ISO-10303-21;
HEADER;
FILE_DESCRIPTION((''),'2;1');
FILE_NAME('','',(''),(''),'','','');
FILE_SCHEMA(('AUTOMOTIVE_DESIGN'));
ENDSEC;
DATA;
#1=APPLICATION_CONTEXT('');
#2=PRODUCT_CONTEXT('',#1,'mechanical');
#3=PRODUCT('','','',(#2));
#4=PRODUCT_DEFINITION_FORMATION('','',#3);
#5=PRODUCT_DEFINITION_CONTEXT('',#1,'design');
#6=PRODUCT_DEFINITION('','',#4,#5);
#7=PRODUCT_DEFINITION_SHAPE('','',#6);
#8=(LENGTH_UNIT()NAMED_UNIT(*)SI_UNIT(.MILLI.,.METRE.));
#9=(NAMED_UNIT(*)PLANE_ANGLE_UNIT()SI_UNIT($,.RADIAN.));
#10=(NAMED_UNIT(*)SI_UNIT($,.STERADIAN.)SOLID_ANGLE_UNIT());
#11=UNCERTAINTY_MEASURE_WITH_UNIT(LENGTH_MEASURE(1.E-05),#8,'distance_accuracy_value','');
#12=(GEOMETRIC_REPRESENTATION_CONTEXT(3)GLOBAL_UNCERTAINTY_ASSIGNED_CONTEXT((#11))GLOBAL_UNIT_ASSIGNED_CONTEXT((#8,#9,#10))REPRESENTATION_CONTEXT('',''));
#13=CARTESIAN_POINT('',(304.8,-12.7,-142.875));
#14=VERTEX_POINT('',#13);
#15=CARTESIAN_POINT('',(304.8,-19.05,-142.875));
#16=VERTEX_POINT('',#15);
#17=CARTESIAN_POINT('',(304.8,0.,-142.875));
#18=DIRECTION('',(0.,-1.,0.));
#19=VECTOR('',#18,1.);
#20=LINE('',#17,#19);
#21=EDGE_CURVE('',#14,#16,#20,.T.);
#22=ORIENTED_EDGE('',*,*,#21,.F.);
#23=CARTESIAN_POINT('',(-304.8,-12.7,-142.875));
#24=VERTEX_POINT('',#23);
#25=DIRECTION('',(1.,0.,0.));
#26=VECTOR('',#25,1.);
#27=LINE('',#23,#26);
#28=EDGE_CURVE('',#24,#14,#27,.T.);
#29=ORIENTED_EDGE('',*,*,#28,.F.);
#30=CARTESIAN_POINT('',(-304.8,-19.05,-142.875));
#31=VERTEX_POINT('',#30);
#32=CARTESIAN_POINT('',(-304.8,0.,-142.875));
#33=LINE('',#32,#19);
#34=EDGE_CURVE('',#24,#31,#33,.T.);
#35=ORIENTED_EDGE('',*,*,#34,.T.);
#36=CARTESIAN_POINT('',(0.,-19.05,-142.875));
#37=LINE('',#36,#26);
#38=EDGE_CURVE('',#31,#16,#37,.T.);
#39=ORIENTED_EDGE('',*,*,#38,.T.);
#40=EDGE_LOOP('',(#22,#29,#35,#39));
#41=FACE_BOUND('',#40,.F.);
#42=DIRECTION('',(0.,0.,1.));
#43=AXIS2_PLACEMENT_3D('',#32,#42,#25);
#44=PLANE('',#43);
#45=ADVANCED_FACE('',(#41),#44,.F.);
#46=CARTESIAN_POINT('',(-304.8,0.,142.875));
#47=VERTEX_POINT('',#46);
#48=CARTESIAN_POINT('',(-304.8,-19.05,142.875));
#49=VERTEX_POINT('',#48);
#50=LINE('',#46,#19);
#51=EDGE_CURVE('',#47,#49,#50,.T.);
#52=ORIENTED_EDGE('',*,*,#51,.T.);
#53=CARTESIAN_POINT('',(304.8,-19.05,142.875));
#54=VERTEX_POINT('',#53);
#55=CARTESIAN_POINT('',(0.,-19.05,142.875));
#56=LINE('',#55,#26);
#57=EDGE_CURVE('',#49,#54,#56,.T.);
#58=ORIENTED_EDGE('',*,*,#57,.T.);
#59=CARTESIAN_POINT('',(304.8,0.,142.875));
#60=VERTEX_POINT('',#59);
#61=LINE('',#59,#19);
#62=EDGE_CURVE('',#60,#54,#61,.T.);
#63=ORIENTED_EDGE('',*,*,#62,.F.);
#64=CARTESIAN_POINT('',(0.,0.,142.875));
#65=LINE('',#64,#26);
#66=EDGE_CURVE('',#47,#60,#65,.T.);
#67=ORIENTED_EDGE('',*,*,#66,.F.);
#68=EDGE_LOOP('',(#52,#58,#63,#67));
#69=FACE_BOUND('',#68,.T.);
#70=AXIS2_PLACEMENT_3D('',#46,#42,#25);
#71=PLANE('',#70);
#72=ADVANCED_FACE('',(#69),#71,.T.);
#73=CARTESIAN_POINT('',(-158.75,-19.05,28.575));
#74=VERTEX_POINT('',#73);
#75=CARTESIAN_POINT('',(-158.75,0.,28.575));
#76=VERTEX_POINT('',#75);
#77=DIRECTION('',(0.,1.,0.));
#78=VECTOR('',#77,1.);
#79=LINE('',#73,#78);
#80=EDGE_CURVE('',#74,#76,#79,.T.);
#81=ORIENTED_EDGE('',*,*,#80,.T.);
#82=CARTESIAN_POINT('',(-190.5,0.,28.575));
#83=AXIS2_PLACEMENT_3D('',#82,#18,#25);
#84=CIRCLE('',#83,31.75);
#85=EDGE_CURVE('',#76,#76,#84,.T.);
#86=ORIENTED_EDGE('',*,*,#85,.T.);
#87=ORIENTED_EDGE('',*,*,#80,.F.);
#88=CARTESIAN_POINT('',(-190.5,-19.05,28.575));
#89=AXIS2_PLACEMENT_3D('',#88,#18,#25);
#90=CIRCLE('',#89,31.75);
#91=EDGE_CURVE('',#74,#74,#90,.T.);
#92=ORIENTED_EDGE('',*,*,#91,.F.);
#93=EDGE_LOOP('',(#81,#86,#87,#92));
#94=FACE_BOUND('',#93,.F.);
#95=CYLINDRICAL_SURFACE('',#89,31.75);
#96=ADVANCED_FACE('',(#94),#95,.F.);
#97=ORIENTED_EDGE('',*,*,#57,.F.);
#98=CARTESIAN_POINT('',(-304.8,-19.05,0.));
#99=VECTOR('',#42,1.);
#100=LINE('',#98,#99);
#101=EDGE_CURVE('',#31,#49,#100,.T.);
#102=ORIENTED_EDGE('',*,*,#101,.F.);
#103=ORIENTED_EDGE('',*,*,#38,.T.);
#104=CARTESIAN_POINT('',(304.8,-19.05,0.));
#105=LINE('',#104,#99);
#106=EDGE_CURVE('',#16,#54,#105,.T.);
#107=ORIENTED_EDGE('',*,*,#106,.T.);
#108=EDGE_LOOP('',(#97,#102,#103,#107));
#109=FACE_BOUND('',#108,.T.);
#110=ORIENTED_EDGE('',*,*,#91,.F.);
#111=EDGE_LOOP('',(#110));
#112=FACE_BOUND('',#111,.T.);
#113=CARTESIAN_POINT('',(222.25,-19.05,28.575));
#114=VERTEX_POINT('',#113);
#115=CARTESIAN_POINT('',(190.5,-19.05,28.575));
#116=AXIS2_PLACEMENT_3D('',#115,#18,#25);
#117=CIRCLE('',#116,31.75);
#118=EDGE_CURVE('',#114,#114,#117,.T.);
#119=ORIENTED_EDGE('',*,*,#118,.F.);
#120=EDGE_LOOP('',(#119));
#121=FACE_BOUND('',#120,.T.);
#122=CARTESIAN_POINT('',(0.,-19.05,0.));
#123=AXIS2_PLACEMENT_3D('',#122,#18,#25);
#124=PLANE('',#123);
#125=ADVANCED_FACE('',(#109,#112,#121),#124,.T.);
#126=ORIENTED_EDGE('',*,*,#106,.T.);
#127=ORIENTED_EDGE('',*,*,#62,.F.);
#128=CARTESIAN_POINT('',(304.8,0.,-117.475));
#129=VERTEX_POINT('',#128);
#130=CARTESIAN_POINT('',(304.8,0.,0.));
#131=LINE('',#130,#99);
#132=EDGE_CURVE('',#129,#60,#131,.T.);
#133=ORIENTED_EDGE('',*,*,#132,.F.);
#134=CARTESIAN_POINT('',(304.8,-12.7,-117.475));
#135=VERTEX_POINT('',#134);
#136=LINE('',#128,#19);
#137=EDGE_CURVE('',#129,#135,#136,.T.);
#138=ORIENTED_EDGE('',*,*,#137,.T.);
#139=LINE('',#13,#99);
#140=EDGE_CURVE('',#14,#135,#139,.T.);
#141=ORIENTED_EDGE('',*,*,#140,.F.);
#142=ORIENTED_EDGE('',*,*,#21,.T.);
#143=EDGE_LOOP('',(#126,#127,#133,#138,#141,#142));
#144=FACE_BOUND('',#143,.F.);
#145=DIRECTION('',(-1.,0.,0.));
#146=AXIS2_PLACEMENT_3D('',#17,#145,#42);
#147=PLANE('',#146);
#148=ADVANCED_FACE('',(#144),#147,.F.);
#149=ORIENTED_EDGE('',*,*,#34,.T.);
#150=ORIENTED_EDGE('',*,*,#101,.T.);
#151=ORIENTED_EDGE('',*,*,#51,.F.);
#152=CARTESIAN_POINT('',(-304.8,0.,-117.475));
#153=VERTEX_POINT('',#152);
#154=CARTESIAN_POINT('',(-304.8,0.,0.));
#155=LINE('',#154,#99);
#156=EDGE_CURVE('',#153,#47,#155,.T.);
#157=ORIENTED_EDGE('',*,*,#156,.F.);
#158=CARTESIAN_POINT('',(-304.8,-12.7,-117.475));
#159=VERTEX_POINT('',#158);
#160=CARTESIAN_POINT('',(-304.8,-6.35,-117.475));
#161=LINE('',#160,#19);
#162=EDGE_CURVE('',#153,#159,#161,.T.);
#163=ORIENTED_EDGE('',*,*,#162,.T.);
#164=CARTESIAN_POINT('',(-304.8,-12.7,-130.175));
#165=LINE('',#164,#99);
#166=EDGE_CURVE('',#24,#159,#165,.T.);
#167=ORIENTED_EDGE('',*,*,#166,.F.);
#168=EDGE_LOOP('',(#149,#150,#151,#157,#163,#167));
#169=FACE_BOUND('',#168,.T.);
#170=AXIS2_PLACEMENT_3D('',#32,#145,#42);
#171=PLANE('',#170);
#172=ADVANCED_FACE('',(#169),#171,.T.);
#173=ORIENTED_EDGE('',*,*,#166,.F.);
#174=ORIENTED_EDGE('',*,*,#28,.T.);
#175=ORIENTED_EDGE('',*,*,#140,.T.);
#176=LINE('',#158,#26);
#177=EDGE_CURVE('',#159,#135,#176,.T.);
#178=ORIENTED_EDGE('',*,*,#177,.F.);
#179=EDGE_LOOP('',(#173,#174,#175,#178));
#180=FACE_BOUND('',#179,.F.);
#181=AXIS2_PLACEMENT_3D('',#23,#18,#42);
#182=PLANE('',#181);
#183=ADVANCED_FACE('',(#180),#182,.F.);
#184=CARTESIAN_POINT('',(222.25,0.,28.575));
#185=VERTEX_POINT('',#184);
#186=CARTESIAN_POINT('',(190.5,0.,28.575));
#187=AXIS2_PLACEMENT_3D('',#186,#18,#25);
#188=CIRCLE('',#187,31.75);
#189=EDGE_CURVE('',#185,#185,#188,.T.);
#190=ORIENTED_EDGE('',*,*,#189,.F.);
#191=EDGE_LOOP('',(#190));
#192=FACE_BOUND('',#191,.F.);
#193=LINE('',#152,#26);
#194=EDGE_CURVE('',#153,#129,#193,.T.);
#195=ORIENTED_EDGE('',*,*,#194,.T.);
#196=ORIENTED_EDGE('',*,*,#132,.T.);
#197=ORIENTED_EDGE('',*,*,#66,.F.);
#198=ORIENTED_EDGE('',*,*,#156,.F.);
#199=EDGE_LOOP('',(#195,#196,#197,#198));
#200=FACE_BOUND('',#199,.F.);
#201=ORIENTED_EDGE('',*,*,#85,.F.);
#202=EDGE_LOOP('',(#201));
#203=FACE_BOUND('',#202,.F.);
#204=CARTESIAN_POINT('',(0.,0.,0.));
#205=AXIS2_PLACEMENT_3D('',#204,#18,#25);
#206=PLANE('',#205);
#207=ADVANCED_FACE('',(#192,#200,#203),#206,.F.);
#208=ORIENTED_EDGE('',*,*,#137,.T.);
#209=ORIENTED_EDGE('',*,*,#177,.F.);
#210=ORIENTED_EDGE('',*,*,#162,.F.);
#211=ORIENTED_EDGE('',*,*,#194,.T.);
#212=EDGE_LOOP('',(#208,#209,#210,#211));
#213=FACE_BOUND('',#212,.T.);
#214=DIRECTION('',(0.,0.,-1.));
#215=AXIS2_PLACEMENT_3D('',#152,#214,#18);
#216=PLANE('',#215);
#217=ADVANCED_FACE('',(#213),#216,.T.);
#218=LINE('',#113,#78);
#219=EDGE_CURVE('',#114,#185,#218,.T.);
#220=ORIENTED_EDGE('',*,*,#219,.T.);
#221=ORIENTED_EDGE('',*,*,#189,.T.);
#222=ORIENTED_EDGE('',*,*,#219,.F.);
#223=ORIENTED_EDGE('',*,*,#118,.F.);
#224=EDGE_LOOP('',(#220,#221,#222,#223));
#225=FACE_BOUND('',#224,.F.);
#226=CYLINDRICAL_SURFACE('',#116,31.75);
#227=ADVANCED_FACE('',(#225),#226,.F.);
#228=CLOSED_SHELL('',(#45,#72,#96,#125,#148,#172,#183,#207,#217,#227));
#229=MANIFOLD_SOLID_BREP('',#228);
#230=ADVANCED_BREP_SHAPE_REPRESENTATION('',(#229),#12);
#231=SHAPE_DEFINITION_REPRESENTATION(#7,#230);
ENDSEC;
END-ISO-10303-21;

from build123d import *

# Parameters (mm, degrees)
F0_W     = 609.6
F0_H     = 285.75
F1_DEPTH = 19.05
F2_W     = 12.7
F2_H     = 25.4
F3_DEPTH = 609.601
F4_R     = 31.75
F5_DEPTH = 19.051


with BuildPart() as f1:
    # F0 (on Front) → F1 (new body)
    with BuildSketch(Plane.XZ):
        Rectangle(F0_W, F0_H)
    extrude(amount=F1_DEPTH)

    # F2 (on face) → F3 (cut, through all)
    with BuildSketch(Plane(origin=(-304.8, 0, 0), x_dir=(0, -1, 0), z_dir=(-1, 0, 0))):
        with Locations((6.35, -130.175)):
            Rectangle(F2_W, F2_H)
    extrude(amount=-F3_DEPTH, mode=Mode.SUBTRACT)

    # F4 (on face) → F5 (cut, through all)
    with BuildSketch(Plane.XZ.offset(19.05)):
        with Locations((-190.5, 28.575)):
            Circle(F4_R)
        with Locations((190.5, 28.575)):
            Circle(F4_R)
    extrude(amount=-F5_DEPTH, mode=Mode.SUBTRACT)


solid = f1.part
